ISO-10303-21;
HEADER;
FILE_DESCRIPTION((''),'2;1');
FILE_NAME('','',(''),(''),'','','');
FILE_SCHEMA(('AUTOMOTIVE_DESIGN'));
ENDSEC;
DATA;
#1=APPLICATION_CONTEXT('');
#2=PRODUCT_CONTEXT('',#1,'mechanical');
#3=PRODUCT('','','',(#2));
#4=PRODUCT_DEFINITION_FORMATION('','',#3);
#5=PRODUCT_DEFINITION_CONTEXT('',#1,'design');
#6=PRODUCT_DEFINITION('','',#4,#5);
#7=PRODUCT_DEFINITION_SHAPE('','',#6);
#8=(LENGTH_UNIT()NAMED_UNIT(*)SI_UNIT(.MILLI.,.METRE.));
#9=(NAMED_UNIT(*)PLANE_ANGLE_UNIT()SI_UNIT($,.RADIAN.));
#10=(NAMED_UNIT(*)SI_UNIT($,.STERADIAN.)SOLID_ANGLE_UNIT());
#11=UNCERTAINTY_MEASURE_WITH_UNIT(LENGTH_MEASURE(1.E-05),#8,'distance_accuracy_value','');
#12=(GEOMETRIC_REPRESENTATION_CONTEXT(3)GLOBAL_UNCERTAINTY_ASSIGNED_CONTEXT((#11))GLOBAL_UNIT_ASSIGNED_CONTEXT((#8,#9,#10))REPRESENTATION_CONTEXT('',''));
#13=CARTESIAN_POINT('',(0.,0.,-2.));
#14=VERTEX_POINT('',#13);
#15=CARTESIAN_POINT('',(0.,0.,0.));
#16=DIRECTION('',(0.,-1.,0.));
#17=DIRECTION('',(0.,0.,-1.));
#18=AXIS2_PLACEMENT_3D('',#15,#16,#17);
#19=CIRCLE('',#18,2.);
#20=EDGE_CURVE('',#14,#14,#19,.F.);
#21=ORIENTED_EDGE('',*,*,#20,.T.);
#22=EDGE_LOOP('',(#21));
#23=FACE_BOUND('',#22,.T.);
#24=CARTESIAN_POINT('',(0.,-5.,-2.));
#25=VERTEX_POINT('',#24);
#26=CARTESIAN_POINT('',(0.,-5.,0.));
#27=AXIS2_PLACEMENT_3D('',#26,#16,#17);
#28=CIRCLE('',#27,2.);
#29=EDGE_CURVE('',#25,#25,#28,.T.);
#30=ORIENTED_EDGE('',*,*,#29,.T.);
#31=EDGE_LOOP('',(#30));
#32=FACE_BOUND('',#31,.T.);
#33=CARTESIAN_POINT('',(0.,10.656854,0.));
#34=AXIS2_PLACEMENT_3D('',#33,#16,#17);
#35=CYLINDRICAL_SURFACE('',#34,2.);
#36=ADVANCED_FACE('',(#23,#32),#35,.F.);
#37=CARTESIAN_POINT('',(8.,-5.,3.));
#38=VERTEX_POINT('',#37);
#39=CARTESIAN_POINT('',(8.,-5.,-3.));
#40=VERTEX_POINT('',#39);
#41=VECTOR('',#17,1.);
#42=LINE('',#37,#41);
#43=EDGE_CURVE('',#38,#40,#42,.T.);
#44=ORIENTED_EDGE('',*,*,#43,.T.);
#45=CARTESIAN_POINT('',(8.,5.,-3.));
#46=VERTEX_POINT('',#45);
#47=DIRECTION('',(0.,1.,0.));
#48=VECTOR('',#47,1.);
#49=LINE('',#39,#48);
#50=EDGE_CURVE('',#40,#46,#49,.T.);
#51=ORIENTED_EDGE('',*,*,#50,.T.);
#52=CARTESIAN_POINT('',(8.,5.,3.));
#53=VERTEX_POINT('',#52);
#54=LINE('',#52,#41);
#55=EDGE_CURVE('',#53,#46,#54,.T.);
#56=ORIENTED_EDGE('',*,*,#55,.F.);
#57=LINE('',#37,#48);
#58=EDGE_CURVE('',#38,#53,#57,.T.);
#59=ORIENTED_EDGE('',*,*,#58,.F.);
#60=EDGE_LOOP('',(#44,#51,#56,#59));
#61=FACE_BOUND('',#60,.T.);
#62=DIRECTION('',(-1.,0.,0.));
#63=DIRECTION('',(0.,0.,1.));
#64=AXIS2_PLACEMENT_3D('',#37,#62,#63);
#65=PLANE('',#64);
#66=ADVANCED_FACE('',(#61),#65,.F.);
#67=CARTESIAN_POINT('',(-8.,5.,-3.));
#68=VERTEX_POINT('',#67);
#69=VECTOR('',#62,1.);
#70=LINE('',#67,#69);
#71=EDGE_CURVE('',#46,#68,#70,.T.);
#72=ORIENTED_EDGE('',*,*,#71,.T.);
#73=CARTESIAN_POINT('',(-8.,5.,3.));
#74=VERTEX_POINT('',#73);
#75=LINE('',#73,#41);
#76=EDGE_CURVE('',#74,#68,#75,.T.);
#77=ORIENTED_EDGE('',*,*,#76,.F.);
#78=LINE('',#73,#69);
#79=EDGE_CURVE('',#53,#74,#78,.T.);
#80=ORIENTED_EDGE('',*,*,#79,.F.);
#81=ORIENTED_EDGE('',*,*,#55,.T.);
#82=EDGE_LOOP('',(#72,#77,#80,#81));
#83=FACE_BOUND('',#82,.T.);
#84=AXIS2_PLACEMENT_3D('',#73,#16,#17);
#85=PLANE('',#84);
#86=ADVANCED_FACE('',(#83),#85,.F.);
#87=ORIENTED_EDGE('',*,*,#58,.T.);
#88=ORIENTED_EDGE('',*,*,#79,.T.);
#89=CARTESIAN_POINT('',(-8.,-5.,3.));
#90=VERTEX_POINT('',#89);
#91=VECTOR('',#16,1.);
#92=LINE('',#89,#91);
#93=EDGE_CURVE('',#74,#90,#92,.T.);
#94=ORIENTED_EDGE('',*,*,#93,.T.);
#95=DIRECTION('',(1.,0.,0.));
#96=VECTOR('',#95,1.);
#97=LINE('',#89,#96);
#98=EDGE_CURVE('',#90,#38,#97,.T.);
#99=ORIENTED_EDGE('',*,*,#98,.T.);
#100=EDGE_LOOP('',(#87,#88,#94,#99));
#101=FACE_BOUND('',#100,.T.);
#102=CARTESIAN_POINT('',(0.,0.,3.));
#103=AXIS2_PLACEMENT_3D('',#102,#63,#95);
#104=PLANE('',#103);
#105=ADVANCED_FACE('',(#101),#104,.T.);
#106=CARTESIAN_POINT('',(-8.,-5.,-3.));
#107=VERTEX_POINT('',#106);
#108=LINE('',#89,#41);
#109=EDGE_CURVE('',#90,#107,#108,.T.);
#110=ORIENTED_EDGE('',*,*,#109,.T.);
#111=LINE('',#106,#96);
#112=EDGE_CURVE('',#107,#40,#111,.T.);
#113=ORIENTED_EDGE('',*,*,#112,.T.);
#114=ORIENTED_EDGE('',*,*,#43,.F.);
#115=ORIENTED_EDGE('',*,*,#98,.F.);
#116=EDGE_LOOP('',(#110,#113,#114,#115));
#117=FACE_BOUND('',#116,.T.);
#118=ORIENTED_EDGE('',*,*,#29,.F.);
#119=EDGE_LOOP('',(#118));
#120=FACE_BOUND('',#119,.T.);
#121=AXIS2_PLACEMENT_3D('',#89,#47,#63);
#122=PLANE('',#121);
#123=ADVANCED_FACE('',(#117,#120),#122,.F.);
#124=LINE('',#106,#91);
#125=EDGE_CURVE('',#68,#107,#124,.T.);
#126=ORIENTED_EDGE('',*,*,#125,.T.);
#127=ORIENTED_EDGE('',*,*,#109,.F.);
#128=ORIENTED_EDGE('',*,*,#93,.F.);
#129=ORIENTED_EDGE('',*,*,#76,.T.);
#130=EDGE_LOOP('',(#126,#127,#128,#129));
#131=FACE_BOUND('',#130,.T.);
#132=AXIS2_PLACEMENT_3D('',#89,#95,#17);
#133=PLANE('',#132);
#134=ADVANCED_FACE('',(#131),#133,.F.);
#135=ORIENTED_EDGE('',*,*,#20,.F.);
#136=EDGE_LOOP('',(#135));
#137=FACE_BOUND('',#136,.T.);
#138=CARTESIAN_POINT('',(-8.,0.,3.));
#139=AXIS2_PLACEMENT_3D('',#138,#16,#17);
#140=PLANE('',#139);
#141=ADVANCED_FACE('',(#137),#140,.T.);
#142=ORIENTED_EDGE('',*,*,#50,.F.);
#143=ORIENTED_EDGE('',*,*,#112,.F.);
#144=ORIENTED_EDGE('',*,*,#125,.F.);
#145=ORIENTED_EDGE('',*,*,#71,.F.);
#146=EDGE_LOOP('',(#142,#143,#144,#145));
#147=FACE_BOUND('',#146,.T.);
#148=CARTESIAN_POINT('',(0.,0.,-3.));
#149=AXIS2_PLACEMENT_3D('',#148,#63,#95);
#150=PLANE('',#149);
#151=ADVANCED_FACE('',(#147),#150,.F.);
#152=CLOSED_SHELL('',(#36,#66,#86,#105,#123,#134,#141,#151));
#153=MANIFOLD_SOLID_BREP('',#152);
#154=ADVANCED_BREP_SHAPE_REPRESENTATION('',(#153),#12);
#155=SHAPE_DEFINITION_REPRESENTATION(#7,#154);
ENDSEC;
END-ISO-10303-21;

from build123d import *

# Parameters (mm, degrees)
SKETCH_1_W          = 16
SKETCH_1_H          = 10
EXTRUDE_1_DEPTH     = 3
SKETCH_2_R          = 2
CUT_EXTRUDE_1_DEPTH = 5


with BuildPart() as part:
    # 스케치1 → 보스-돌출1 (new, symmetric)
    with BuildSketch(Plane.XY):
        Rectangle(SKETCH_1_W, SKETCH_1_H)
    extrude(amount=EXTRUDE_1_DEPTH, both=True)

    # 스케치2 → 컷-돌출1 (cut)
    with BuildSketch(Plane.XZ.offset(5)):
        with Locations(Location((0, 0, 0), (0, 0, 270))):
            Circle(SKETCH_2_R)
    extrude(amount=-CUT_EXTRUDE_1_DEPTH, mode=Mode.SUBTRACT)


solid = part.part
